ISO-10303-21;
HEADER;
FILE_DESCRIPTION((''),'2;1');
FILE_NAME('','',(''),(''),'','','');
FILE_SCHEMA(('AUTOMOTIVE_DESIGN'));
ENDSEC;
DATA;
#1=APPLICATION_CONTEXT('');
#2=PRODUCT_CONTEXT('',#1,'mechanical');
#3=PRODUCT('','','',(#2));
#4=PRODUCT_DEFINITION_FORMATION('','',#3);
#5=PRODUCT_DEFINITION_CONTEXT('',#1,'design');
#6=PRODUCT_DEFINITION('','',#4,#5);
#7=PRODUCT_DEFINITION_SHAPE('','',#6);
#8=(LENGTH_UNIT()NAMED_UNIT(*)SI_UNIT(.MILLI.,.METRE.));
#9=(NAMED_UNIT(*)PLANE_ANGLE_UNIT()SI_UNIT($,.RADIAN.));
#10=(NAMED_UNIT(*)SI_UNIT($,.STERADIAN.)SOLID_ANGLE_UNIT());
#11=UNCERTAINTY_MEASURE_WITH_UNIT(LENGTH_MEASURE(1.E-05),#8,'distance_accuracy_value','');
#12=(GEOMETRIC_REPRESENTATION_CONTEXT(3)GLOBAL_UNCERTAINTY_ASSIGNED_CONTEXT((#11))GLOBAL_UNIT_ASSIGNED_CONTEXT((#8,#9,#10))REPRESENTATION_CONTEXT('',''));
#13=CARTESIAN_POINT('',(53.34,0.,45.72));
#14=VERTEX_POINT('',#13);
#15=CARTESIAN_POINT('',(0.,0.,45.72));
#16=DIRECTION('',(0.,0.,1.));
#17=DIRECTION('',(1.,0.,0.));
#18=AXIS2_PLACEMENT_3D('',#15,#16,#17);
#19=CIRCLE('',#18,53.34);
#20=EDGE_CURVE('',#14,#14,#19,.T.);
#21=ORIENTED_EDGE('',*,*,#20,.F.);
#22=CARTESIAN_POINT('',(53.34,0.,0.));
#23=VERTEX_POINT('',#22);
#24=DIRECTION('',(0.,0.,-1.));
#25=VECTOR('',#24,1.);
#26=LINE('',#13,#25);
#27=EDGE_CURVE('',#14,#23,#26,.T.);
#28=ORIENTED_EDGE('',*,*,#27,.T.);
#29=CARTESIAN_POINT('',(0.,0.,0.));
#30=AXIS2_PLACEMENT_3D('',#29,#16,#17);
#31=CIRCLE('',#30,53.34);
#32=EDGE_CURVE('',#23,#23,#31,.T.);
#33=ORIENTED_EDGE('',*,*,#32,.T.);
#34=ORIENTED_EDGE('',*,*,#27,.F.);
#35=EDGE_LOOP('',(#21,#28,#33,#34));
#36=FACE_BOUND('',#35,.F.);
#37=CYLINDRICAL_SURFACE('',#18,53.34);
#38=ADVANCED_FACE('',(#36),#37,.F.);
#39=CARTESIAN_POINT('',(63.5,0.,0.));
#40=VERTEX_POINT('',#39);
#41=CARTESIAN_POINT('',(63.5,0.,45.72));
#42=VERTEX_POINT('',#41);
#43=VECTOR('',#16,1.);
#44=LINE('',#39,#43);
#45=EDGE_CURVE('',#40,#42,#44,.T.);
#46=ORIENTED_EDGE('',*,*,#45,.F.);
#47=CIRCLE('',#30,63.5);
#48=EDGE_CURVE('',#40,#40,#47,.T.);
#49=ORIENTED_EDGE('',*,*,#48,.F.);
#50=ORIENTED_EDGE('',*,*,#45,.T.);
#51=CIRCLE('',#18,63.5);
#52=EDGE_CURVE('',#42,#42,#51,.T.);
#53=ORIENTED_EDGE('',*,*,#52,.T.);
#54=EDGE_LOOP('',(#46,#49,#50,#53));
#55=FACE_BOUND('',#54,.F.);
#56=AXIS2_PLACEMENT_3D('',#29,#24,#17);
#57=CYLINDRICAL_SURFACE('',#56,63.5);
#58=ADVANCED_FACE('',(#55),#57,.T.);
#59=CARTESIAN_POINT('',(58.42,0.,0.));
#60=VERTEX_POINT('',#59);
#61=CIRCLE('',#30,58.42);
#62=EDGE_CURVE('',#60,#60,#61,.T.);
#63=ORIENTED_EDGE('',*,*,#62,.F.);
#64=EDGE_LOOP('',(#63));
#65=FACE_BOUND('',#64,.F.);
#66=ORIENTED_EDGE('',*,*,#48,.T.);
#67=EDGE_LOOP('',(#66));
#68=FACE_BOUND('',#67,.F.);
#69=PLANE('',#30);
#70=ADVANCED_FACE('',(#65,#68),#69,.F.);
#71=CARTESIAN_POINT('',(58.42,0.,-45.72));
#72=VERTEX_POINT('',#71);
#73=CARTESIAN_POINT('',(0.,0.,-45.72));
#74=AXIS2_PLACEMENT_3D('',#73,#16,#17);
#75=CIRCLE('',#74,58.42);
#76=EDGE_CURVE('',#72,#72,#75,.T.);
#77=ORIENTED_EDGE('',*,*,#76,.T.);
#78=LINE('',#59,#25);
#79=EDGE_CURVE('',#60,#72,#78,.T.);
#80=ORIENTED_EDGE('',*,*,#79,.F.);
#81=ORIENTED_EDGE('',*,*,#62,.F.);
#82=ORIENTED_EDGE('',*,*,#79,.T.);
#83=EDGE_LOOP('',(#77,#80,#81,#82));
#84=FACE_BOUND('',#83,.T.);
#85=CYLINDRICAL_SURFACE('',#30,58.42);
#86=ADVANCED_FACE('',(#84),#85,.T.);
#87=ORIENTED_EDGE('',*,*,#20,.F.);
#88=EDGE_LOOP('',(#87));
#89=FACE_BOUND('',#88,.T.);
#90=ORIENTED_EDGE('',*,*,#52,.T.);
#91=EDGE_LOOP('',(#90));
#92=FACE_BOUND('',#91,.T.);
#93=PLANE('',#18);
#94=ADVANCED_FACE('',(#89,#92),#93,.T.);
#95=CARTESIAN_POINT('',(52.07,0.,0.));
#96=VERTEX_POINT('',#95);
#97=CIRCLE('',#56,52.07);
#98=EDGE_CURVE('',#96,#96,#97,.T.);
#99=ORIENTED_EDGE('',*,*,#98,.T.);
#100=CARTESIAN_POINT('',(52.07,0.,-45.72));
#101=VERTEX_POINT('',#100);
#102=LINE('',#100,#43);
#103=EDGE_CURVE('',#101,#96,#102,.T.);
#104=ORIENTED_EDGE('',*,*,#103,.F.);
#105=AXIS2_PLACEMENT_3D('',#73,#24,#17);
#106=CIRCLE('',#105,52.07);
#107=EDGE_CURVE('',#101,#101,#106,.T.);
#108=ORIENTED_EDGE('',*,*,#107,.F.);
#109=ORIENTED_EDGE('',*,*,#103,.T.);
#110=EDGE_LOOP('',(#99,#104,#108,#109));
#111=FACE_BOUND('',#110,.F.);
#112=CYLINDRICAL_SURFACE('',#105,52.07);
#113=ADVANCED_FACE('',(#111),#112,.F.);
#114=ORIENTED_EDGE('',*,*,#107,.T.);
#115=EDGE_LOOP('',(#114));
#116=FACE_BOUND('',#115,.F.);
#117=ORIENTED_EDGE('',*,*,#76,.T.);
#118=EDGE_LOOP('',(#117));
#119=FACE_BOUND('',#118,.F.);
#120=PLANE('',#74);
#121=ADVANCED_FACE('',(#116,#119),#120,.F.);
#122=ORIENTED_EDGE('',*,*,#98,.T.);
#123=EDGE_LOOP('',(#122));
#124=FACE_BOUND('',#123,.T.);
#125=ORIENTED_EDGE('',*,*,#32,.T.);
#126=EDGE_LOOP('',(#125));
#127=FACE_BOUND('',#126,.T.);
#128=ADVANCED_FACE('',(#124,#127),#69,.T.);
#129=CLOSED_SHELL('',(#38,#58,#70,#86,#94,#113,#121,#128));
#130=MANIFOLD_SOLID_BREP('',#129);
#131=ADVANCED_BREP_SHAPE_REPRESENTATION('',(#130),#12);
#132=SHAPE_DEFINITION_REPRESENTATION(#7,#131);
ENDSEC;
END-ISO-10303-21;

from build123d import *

# Parameters (mm, degrees)
F0_R     = 63.5
F1_DEPTH = 45.72
F2_R     = 53.34
F3_DEPTH = 50.8
F4_R     = 58.42
F5_DEPTH = 45.72
F6_R     = 52.07
F7_DEPTH = 127


with BuildPart() as f1:
    # F0 (on Top) → F1 (new body)
    with BuildSketch(Plane.XY):
        Circle(F0_R)
    extrude(amount=F1_DEPTH)

    # F2 (on face) → F3 (cut)
    with BuildSketch(Plane.XY.offset(45.72)):
        Circle(F2_R)
    extrude(amount=-F3_DEPTH, mode=Mode.SUBTRACT)

    # F4 (on Top) → F5 (join)
    with BuildSketch(Plane.XY):
        Circle(F4_R)
    extrude(amount=-F5_DEPTH)

    # F6 (on face) → F7 (cut)
    with BuildSketch(Plane(origin=(0, 0, -45.72), x_dir=(1, 0, 0), z_dir=(0, 0, -1))):
        Circle(F6_R)
    extrude(amount=-F7_DEPTH, mode=Mode.SUBTRACT)


solid = f1.part
